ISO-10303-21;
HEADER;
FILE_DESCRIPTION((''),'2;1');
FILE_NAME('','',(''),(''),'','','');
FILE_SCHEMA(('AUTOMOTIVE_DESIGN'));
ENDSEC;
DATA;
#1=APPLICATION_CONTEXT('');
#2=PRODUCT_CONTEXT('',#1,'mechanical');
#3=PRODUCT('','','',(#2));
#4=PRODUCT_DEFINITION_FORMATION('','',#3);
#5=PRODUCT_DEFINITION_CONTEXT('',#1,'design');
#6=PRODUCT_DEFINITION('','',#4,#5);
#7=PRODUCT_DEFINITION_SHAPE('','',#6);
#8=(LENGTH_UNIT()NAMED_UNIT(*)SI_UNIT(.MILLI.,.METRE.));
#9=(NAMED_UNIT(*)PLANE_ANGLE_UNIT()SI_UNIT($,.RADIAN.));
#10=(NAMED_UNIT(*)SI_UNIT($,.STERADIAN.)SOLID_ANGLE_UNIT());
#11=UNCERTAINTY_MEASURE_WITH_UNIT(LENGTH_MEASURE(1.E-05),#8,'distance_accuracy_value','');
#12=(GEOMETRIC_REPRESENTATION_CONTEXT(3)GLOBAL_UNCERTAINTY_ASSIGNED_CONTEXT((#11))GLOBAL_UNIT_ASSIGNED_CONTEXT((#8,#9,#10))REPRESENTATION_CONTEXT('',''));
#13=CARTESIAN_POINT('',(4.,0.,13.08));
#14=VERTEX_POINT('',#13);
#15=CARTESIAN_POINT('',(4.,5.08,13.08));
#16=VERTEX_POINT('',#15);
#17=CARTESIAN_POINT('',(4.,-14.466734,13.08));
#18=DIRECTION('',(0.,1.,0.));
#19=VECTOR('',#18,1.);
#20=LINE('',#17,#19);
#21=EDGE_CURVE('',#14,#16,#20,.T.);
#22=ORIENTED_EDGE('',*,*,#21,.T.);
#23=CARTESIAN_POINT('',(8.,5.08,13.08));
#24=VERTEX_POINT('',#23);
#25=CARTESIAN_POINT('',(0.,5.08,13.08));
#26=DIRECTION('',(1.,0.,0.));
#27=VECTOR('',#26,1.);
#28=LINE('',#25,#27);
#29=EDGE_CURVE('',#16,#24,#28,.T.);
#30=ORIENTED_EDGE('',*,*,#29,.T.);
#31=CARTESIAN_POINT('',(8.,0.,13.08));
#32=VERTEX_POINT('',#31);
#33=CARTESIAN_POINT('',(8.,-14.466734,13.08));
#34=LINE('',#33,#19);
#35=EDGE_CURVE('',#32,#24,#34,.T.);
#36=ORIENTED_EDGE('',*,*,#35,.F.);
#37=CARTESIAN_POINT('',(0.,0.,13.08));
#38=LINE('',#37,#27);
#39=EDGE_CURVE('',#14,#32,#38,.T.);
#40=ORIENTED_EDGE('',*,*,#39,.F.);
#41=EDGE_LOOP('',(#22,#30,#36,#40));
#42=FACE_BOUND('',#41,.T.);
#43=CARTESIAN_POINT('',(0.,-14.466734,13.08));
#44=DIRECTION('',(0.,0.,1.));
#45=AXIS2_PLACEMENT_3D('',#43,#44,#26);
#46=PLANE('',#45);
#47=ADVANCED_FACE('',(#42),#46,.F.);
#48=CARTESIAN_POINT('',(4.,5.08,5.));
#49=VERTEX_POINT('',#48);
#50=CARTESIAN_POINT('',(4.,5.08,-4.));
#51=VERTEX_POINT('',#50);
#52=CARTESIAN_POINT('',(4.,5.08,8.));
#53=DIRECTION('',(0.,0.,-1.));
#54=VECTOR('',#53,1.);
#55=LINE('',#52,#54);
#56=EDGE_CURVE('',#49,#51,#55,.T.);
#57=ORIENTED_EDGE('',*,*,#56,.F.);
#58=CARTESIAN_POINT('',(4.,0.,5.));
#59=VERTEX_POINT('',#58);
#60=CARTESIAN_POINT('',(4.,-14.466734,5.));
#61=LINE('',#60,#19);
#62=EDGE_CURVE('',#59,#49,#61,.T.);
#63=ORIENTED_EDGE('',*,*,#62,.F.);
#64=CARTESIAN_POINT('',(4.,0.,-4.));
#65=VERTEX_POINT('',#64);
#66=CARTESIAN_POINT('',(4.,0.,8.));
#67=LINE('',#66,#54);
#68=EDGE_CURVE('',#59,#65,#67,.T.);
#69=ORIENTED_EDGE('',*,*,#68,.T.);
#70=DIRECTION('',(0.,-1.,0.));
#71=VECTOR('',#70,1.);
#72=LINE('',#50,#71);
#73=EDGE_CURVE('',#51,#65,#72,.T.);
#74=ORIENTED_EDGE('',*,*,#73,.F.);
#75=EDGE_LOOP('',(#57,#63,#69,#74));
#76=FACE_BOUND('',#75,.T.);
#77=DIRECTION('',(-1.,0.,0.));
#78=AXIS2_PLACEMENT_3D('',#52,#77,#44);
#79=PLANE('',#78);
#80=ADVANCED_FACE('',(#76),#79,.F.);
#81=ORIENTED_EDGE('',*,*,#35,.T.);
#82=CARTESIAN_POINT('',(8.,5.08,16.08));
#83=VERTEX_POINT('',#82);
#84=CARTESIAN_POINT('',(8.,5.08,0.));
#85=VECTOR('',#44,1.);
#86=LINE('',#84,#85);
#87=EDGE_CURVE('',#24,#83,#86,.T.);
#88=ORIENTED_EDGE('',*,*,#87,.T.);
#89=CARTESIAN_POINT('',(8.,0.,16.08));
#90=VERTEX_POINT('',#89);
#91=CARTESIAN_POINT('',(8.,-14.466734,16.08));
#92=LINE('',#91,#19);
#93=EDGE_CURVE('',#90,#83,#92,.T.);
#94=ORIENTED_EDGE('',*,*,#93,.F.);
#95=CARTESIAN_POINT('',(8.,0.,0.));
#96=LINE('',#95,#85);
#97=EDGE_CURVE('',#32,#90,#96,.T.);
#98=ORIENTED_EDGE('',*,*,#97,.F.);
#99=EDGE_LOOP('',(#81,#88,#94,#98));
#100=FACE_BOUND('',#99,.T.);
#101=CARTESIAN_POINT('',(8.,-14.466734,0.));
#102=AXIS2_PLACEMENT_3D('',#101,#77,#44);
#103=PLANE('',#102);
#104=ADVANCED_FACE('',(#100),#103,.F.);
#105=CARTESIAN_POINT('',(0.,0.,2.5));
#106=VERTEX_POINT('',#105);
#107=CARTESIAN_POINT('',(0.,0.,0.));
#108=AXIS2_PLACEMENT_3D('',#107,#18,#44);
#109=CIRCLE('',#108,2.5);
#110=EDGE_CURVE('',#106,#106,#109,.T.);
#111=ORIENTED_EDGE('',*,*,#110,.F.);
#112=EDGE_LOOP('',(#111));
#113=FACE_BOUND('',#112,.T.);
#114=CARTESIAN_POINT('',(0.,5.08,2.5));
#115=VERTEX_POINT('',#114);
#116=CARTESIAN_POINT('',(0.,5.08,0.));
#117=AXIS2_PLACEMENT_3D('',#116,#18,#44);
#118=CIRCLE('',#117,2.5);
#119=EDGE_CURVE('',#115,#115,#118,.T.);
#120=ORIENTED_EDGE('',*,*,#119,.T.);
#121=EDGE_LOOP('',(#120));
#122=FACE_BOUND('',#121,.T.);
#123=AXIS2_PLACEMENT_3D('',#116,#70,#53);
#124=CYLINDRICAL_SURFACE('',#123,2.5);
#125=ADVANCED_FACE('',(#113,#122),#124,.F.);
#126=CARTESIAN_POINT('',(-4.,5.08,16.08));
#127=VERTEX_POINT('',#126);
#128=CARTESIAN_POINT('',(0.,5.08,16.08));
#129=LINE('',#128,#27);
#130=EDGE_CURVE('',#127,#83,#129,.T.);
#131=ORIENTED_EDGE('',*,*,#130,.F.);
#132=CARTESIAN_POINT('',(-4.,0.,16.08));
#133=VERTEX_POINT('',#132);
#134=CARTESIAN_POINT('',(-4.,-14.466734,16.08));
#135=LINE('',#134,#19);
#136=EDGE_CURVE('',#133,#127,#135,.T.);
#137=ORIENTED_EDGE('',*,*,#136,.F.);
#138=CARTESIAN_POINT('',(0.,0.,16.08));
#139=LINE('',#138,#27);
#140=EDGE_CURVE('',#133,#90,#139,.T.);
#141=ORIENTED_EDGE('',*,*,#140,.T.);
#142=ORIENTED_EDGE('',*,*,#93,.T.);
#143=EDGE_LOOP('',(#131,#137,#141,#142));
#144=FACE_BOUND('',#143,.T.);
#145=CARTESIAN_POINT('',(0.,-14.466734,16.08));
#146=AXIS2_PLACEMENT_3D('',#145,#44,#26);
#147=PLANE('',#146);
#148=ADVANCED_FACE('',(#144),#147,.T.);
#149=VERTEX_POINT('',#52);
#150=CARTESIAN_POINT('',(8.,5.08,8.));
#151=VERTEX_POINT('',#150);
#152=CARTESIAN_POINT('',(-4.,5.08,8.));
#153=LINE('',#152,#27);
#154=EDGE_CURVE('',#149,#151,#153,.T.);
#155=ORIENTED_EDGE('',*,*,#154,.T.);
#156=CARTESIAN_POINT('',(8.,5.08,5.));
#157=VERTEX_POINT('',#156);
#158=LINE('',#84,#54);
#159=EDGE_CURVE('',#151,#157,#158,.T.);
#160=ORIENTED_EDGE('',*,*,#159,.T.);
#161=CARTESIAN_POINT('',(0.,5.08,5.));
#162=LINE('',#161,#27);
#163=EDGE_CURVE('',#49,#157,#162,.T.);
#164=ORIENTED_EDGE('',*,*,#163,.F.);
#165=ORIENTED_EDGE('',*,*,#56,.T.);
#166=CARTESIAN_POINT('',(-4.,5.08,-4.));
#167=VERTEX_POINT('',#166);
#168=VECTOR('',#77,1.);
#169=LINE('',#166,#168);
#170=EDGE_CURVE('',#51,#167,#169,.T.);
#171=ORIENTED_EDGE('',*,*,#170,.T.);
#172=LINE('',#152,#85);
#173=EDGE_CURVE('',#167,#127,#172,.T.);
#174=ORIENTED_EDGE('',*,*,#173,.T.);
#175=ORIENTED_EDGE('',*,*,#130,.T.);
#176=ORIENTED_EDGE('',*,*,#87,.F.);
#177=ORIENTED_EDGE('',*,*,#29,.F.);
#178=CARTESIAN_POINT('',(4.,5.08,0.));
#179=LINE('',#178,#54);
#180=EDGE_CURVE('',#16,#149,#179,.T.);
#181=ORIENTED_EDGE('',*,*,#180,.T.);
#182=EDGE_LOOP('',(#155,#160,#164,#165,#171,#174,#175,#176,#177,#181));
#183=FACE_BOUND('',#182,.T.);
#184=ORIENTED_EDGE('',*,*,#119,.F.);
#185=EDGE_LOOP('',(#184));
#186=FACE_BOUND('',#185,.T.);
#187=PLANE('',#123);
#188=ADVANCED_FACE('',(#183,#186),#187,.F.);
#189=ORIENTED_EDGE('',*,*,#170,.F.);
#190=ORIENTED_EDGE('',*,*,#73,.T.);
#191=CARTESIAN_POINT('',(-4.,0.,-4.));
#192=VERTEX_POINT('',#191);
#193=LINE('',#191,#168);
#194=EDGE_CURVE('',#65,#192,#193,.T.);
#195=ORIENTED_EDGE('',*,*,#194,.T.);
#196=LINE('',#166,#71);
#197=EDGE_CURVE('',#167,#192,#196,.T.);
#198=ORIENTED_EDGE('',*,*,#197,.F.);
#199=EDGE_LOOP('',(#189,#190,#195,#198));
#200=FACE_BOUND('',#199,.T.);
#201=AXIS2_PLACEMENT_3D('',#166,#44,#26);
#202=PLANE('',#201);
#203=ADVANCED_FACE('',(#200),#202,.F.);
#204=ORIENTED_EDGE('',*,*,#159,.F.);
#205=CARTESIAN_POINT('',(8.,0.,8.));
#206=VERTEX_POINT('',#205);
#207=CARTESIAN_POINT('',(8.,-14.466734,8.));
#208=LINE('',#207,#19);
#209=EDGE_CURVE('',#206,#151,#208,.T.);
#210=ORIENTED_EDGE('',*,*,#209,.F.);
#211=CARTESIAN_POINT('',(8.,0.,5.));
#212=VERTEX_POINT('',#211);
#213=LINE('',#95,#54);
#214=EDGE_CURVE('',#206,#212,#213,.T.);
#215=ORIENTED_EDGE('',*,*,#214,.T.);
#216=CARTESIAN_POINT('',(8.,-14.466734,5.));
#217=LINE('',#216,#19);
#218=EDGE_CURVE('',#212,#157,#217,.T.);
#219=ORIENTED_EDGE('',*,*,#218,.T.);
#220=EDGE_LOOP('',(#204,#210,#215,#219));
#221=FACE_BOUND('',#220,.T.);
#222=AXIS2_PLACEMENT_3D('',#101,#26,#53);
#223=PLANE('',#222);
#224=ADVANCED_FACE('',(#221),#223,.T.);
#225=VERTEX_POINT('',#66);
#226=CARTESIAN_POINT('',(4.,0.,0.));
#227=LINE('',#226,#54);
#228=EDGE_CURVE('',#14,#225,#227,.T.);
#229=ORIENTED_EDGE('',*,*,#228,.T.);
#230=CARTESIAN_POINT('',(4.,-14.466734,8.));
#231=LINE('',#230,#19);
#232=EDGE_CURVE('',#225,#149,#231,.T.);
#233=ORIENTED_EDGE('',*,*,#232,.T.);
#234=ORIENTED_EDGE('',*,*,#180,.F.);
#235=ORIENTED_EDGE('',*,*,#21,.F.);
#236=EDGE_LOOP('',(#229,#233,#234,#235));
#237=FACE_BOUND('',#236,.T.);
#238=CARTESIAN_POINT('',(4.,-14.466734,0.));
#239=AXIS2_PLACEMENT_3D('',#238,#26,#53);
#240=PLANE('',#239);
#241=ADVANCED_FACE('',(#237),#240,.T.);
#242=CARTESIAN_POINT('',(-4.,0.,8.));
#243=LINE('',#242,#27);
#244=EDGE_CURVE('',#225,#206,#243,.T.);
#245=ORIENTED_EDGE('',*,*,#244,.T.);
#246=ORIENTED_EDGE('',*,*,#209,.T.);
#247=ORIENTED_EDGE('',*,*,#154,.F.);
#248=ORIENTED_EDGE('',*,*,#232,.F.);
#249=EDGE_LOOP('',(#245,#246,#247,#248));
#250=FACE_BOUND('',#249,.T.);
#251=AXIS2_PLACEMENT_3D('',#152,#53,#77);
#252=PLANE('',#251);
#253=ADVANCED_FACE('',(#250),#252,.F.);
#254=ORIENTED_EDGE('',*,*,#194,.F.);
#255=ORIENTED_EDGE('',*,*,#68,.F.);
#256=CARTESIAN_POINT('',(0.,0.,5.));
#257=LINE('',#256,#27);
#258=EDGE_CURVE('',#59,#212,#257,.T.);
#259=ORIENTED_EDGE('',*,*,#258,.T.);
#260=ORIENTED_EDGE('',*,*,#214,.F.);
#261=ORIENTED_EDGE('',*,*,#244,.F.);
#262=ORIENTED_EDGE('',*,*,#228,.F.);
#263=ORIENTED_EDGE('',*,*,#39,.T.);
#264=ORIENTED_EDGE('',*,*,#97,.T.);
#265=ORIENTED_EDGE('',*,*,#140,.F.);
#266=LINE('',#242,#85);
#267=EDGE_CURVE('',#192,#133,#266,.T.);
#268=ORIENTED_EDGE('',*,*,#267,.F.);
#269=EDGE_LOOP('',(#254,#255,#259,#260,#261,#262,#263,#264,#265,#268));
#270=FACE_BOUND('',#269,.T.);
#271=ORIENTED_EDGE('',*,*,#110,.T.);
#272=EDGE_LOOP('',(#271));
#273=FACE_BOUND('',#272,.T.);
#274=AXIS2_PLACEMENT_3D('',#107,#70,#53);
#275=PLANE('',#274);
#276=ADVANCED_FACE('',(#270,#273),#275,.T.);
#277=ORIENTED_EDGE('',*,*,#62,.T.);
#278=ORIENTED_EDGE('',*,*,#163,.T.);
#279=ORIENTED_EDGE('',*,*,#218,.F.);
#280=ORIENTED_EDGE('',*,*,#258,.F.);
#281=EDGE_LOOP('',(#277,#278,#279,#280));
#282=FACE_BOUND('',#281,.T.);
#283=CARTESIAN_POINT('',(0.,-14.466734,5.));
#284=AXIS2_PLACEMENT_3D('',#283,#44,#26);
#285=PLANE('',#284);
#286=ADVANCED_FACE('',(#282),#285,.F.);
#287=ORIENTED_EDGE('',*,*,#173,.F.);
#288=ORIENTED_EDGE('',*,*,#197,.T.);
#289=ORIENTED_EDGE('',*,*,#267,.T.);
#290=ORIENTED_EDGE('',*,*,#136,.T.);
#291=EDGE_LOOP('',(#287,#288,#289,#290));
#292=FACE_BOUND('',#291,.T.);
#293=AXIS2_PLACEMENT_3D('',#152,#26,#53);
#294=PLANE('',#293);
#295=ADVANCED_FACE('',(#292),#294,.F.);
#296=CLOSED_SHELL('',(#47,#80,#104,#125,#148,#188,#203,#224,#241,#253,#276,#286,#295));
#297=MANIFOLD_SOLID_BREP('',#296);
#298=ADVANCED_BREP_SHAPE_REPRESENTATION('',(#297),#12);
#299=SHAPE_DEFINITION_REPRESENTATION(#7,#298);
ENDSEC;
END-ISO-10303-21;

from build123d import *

# Parameters (mm, degrees)
SKETCH1_W           = 8
SKETCH1_H           = 12
SKETCH1_R           = 2.5
BOSS_EXTRUDE1_DEPTH = 5.08
SKETCH2_W           = 4
SKETCH2_H           = 3
BOSS_EXTRUDE2_DEPTH = 5.08


with BuildPart() as part:
    # Sketch1 → Boss-Extrude1 (new body)
    with BuildSketch(Plane(origin=(0, 0, 0), x_dir=(1, 0, 0), z_dir=(0, 1, 0))):
        with Locations((0, -2)):
            Rectangle(SKETCH1_W, SKETCH1_H)
        Circle(SKETCH1_R, mode=Mode.SUBTRACT)
    extrude(amount=BOSS_EXTRUDE1_DEPTH)

    # Sketch2 → Boss-Extrude2 (add)
    with BuildSketch(Plane(origin=(0, 5.08, 0), x_dir=(1, 0, 0), z_dir=(0, 1, 0))):
        with Locations((6, -6.5)):
            Rectangle(SKETCH2_W, SKETCH2_H)
        Polygon((-4, -8), (-4, -16.08), (8, -16.08), (8, -13.08), (4, -13.08), (4, -8), align=None)
    extrude(amount=-BOSS_EXTRUDE2_DEPTH)


solid = part.part
